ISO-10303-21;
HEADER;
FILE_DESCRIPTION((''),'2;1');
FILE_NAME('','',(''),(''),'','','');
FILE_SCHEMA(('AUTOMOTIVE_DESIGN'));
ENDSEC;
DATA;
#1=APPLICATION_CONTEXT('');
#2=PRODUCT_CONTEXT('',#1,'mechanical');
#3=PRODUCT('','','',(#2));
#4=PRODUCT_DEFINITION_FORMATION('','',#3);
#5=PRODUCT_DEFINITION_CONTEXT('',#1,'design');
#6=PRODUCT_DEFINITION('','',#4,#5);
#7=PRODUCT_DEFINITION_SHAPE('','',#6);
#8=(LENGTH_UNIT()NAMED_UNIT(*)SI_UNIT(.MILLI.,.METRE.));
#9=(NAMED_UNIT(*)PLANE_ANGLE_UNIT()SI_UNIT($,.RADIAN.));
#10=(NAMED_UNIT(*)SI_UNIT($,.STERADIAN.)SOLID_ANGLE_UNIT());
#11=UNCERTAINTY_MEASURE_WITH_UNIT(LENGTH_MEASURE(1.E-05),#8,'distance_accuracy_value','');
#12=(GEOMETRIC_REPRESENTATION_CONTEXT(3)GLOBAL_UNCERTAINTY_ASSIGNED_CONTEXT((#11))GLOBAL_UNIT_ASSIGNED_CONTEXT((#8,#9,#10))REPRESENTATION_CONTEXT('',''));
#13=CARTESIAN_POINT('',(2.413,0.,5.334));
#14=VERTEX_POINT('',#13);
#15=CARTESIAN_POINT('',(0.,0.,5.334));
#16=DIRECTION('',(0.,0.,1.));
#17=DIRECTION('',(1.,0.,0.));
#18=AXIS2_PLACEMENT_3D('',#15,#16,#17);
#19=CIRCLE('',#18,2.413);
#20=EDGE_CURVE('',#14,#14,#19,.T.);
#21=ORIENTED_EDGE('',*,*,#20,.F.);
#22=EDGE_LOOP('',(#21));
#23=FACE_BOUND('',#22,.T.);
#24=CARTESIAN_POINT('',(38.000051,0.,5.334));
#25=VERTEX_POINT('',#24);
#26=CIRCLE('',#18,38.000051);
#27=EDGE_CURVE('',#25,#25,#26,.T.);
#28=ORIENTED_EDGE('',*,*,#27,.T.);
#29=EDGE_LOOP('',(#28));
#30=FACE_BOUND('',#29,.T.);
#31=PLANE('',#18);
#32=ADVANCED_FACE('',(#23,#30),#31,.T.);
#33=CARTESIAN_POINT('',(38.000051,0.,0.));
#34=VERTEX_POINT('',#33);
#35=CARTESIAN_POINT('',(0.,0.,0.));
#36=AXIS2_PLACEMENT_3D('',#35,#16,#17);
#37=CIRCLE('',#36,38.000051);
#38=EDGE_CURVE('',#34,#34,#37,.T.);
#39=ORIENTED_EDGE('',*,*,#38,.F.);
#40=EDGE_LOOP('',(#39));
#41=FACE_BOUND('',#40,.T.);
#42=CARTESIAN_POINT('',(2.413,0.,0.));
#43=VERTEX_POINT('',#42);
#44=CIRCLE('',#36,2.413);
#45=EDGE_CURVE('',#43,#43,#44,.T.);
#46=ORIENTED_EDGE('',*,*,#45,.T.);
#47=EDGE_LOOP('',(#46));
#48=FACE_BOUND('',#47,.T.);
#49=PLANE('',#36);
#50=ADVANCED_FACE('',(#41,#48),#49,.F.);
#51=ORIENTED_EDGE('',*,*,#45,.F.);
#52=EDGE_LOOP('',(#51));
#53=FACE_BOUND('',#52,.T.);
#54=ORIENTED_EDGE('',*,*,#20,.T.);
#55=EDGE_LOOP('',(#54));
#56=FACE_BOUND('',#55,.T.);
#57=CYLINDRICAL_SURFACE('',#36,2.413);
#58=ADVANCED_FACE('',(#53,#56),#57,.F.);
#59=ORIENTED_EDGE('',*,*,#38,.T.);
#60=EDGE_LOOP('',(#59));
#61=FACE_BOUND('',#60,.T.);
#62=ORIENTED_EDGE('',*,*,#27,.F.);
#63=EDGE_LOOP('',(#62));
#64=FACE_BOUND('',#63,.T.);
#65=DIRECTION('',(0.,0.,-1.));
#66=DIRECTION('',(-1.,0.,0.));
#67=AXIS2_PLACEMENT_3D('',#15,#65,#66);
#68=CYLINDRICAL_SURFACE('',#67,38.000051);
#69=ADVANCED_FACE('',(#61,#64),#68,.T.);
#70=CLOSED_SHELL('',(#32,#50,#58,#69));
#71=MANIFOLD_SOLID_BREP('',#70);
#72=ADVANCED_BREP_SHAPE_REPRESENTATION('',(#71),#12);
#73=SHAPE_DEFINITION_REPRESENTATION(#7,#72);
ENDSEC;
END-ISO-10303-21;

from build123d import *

# Parameters (mm, degrees)
SKETCH1_R           = 38.000051
BOSS_EXTRUDE1_DEPTH = 5.334
SKETCH2_R           = 2.413
CUT_EXTRUDE1_DEPTH  = 6.334


with BuildPart() as part:
    # Sketch1 → Boss-Extrude1 (new body)
    with BuildSketch(Plane.XY):
        Circle(SKETCH1_R)
    extrude(amount=BOSS_EXTRUDE1_DEPTH)

    # Sketch2 → Cut-Extrude1 (cut, through all)
    with BuildSketch(Plane.XY.offset(5.334)):
        Circle(SKETCH2_R)
    extrude(amount=-CUT_EXTRUDE1_DEPTH, mode=Mode.SUBTRACT)


solid = part.part
